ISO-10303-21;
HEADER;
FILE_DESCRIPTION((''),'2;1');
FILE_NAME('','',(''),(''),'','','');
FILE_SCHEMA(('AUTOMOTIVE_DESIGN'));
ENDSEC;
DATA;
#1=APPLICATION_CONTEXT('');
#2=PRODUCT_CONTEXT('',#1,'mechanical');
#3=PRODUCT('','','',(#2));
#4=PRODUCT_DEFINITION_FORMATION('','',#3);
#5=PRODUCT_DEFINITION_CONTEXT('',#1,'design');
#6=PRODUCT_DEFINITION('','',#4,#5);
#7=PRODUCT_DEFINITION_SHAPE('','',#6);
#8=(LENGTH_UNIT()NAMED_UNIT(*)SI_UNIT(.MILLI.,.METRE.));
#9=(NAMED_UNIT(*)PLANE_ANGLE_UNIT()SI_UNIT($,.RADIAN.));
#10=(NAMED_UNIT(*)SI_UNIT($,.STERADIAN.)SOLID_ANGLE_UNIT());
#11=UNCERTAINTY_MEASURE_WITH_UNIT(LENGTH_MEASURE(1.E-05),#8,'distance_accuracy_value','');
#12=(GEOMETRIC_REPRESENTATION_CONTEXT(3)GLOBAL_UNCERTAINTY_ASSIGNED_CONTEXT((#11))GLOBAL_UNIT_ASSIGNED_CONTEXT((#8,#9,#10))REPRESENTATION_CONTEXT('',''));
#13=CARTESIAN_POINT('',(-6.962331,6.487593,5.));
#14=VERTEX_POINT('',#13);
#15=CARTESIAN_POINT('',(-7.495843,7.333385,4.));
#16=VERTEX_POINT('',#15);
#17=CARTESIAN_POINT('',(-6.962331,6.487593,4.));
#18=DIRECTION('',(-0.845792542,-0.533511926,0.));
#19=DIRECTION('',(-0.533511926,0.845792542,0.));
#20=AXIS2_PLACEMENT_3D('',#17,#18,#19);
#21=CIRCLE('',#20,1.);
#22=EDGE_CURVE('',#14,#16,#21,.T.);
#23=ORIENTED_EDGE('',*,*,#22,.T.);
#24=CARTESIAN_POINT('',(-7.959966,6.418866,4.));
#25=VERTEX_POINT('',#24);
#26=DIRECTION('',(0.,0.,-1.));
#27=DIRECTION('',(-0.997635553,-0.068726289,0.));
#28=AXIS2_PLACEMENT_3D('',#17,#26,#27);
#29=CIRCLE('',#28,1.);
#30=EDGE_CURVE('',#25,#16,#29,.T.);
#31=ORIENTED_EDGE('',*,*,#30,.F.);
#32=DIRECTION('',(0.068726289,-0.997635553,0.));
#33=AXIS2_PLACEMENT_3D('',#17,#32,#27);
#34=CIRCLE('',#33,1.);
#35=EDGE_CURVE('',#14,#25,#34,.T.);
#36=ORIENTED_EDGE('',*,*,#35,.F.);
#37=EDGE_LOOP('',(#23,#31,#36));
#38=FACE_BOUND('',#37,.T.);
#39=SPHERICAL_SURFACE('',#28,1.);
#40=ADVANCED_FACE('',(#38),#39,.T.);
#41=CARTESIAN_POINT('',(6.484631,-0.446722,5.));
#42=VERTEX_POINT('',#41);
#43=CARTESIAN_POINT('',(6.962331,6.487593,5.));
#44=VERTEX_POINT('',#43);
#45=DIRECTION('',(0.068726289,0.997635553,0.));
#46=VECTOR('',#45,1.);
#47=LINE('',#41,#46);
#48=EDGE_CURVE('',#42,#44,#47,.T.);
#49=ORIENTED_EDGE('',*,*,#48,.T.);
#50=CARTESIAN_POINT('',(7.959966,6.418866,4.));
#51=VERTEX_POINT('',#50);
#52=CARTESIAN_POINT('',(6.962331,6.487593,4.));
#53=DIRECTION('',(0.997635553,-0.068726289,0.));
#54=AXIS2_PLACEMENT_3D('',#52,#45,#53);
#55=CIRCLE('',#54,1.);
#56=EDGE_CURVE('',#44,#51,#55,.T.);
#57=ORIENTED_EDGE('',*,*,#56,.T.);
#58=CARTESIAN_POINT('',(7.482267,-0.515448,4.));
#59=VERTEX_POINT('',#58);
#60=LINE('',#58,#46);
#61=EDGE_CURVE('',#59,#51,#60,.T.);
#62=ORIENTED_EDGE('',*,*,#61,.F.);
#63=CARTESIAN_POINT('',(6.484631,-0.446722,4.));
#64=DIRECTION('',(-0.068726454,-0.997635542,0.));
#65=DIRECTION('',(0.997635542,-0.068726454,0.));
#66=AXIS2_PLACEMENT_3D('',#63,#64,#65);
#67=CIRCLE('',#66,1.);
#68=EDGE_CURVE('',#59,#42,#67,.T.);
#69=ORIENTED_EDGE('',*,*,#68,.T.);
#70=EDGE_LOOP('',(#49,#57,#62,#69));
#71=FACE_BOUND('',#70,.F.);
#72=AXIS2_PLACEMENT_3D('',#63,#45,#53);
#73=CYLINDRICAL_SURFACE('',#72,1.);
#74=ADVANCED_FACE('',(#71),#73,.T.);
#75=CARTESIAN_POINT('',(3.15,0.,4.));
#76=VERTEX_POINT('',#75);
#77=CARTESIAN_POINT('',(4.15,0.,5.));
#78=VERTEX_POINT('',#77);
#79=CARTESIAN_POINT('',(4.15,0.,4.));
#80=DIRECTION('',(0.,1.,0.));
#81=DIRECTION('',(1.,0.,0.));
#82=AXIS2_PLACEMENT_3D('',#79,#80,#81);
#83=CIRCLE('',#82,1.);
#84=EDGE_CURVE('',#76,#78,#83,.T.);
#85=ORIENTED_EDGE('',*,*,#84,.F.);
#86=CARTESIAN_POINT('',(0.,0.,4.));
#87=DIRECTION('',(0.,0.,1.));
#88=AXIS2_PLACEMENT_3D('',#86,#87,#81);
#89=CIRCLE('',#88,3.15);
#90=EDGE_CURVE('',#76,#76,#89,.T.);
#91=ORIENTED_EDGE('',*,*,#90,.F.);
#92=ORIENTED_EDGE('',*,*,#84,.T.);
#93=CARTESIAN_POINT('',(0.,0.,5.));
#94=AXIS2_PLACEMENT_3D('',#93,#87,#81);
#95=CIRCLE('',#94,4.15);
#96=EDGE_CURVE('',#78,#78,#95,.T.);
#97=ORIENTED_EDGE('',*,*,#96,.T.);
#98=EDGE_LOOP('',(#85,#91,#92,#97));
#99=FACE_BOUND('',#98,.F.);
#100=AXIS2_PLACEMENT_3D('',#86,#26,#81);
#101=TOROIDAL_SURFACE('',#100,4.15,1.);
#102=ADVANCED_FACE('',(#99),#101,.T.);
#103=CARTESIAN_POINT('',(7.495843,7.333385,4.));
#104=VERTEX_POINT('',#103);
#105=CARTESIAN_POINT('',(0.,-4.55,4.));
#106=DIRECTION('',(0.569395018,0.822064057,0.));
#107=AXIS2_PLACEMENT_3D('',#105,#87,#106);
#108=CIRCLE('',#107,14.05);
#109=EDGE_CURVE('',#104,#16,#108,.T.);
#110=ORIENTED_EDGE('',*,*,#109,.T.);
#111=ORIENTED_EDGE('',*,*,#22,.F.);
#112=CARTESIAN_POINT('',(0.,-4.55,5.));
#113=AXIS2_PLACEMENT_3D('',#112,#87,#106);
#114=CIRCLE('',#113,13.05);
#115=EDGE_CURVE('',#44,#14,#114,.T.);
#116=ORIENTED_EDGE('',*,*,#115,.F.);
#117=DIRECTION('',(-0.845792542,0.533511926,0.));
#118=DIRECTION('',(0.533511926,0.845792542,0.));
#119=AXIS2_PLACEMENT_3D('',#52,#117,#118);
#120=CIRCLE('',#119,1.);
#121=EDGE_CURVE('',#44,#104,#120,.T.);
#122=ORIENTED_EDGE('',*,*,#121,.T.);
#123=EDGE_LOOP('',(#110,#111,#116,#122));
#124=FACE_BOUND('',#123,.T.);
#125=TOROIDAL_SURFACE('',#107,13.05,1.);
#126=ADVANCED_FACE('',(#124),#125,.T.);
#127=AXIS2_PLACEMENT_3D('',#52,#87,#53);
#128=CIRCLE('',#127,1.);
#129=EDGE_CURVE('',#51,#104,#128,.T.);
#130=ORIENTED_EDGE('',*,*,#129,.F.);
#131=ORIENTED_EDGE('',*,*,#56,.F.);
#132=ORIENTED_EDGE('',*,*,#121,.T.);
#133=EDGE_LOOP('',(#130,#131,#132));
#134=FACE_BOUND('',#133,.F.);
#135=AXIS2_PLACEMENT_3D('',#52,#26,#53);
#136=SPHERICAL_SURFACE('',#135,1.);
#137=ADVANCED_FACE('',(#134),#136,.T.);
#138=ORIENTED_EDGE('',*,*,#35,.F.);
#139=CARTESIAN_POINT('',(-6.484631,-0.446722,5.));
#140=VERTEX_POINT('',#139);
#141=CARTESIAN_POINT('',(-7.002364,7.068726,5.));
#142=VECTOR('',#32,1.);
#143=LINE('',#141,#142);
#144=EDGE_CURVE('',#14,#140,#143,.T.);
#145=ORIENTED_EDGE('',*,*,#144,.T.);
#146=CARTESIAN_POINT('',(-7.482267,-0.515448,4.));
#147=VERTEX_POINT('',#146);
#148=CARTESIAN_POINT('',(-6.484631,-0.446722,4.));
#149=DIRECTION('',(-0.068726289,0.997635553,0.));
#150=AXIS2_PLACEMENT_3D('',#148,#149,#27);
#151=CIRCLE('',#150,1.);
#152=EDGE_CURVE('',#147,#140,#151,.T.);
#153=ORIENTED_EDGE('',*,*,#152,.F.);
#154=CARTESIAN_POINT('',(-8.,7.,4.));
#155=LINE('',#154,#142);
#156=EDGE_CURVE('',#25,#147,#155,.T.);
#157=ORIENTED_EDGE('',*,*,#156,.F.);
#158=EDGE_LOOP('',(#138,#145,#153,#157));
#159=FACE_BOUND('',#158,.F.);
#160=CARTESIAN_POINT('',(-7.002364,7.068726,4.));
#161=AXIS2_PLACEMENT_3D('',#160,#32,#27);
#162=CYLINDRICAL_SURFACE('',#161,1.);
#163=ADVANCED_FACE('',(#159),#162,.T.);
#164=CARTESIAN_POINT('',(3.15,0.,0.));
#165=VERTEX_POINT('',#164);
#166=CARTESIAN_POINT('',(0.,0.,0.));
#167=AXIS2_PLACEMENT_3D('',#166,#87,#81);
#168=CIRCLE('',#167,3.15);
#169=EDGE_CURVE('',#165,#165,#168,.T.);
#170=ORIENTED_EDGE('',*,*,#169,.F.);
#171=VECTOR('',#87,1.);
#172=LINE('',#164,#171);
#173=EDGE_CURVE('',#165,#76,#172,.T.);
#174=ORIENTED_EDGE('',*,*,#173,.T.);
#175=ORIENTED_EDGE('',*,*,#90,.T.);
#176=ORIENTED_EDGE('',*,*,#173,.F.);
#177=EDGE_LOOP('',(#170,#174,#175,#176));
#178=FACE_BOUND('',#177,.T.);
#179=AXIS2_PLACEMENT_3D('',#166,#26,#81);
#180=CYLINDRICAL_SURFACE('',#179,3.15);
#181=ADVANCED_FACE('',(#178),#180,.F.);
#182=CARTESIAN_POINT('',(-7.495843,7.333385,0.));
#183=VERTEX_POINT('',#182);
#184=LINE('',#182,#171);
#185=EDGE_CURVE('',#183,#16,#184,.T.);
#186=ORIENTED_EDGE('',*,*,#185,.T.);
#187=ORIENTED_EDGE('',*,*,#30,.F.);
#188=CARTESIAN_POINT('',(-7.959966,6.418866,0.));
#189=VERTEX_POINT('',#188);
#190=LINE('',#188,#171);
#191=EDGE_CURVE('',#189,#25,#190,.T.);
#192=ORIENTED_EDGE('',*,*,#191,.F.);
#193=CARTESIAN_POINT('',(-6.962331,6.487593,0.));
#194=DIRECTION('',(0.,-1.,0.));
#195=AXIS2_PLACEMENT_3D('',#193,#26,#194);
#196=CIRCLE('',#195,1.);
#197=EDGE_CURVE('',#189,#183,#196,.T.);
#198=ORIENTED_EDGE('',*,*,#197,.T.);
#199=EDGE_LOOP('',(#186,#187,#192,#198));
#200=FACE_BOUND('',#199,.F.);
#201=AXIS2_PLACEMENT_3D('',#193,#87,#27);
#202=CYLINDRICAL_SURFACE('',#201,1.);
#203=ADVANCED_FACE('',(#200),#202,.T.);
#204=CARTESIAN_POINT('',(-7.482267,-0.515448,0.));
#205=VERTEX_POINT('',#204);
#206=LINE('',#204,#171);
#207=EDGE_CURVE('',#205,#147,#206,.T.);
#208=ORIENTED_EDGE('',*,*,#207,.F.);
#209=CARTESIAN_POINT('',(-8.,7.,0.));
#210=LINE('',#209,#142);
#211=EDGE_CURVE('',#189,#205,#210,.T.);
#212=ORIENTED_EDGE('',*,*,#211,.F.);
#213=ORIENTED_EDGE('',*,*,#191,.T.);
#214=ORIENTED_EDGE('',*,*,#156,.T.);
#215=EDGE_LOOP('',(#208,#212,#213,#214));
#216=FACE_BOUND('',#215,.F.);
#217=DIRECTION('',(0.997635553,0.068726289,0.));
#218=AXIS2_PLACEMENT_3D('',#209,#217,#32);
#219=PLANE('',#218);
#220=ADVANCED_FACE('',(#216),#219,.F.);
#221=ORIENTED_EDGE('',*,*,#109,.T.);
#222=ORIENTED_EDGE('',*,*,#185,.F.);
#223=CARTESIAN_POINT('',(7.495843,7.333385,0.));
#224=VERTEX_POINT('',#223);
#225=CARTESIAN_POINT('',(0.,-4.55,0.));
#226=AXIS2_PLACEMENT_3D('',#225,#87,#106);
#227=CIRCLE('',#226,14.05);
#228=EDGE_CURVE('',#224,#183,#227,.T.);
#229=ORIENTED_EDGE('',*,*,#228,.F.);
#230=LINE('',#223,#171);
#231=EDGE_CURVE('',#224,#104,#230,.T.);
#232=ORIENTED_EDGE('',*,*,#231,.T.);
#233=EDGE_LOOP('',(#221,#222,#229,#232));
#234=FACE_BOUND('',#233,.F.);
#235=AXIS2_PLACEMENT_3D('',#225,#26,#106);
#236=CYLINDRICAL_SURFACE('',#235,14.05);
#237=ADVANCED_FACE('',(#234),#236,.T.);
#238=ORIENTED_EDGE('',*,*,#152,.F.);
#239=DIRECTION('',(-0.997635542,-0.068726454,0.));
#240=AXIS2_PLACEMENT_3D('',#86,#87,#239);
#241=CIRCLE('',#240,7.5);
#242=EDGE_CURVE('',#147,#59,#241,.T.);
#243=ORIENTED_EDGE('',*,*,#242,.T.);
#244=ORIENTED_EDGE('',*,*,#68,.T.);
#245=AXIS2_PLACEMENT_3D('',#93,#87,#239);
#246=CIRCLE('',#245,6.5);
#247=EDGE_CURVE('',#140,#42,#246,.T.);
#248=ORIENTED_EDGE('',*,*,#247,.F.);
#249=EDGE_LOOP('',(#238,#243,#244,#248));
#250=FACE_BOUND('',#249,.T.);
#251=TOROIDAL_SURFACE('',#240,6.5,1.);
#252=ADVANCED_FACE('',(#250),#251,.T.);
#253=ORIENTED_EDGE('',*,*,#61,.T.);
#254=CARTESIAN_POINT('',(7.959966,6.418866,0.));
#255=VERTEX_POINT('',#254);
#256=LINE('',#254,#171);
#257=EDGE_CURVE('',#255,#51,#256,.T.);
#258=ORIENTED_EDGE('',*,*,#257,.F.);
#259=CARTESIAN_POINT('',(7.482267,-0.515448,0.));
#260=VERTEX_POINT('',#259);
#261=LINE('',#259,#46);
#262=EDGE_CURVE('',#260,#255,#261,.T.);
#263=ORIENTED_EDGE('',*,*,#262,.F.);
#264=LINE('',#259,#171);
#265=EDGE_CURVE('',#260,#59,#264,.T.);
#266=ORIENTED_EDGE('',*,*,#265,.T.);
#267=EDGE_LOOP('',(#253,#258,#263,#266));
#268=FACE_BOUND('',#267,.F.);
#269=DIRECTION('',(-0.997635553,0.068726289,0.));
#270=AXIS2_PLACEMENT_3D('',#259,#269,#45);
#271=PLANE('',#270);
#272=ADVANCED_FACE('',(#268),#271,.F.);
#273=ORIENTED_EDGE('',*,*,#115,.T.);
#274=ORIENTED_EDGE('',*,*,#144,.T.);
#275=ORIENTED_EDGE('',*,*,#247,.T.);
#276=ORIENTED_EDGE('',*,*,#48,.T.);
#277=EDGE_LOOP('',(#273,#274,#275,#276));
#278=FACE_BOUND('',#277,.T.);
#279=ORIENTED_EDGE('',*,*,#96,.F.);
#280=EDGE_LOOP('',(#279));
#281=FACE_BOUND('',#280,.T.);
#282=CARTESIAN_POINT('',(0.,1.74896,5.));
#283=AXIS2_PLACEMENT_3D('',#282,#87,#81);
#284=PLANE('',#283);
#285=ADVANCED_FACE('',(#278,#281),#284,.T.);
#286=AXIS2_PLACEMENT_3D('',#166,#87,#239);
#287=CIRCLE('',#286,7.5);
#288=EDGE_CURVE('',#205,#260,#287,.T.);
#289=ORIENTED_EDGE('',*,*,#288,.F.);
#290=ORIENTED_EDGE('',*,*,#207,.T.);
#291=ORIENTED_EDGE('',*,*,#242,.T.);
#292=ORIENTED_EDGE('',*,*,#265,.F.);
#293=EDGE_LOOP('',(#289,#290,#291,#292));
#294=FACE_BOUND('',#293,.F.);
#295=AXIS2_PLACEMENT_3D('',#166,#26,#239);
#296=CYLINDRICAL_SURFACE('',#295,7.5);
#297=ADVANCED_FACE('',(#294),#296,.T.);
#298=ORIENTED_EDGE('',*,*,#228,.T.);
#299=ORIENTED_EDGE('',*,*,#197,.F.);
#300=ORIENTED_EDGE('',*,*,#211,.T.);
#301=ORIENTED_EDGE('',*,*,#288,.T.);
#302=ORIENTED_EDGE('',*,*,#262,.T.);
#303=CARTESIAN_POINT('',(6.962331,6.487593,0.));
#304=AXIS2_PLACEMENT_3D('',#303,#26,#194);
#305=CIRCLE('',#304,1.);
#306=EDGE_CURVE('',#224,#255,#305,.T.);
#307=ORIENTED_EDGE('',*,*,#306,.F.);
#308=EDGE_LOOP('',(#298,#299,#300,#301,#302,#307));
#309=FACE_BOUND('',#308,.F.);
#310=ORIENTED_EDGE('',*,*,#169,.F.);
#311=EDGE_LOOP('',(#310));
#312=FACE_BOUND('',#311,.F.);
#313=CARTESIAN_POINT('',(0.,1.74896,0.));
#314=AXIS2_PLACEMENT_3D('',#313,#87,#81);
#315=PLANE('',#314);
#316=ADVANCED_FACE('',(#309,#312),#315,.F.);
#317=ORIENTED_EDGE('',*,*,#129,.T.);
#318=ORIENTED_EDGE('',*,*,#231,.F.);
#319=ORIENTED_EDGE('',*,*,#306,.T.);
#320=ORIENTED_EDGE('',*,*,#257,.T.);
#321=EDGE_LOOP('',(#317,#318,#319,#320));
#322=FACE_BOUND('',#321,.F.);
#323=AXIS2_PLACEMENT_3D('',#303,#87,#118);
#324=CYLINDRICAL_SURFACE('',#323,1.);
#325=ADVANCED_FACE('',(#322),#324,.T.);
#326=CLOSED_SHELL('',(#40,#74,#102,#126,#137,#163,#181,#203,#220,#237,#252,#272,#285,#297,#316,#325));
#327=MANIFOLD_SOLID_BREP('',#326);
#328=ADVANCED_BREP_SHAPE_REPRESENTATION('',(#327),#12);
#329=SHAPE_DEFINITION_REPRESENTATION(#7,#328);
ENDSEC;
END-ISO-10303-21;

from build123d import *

# Parameters (mm, degrees)
F0_R     = 3.15
F1_DEPTH = 5
F2_R     = 1


with BuildPart() as f1:
    # F0 (on Top) → F1 (new body)
    with BuildSketch(Plane.XY):
        with BuildLine():
            Line((-8, 7), (-7.482267, -0.515448))
            ThreePointArc((-7.482267, -0.515448), (0, -7.5), (7.482267, -0.515448))
            Line((7.482267, -0.515448), (8, 7))
            ThreePointArc((8, 7), (0, 9.5), (-8, 7))
        make_face()
        Circle(F0_R, mode=Mode.SUBTRACT)
    extrude(amount=F1_DEPTH)

    # F2
    f2_edges = [f1.edges().sort_by_distance(p)[0] for p in [
        (-8, 7, 2.5),
        (0, -7.5, 5),
        (0, 9.5, 5),
        (8, 7, 2.5),
        (-3.15, 0, 5),
    ]]
    fillet(f2_edges, radius=F2_R)


solid = f1.part
